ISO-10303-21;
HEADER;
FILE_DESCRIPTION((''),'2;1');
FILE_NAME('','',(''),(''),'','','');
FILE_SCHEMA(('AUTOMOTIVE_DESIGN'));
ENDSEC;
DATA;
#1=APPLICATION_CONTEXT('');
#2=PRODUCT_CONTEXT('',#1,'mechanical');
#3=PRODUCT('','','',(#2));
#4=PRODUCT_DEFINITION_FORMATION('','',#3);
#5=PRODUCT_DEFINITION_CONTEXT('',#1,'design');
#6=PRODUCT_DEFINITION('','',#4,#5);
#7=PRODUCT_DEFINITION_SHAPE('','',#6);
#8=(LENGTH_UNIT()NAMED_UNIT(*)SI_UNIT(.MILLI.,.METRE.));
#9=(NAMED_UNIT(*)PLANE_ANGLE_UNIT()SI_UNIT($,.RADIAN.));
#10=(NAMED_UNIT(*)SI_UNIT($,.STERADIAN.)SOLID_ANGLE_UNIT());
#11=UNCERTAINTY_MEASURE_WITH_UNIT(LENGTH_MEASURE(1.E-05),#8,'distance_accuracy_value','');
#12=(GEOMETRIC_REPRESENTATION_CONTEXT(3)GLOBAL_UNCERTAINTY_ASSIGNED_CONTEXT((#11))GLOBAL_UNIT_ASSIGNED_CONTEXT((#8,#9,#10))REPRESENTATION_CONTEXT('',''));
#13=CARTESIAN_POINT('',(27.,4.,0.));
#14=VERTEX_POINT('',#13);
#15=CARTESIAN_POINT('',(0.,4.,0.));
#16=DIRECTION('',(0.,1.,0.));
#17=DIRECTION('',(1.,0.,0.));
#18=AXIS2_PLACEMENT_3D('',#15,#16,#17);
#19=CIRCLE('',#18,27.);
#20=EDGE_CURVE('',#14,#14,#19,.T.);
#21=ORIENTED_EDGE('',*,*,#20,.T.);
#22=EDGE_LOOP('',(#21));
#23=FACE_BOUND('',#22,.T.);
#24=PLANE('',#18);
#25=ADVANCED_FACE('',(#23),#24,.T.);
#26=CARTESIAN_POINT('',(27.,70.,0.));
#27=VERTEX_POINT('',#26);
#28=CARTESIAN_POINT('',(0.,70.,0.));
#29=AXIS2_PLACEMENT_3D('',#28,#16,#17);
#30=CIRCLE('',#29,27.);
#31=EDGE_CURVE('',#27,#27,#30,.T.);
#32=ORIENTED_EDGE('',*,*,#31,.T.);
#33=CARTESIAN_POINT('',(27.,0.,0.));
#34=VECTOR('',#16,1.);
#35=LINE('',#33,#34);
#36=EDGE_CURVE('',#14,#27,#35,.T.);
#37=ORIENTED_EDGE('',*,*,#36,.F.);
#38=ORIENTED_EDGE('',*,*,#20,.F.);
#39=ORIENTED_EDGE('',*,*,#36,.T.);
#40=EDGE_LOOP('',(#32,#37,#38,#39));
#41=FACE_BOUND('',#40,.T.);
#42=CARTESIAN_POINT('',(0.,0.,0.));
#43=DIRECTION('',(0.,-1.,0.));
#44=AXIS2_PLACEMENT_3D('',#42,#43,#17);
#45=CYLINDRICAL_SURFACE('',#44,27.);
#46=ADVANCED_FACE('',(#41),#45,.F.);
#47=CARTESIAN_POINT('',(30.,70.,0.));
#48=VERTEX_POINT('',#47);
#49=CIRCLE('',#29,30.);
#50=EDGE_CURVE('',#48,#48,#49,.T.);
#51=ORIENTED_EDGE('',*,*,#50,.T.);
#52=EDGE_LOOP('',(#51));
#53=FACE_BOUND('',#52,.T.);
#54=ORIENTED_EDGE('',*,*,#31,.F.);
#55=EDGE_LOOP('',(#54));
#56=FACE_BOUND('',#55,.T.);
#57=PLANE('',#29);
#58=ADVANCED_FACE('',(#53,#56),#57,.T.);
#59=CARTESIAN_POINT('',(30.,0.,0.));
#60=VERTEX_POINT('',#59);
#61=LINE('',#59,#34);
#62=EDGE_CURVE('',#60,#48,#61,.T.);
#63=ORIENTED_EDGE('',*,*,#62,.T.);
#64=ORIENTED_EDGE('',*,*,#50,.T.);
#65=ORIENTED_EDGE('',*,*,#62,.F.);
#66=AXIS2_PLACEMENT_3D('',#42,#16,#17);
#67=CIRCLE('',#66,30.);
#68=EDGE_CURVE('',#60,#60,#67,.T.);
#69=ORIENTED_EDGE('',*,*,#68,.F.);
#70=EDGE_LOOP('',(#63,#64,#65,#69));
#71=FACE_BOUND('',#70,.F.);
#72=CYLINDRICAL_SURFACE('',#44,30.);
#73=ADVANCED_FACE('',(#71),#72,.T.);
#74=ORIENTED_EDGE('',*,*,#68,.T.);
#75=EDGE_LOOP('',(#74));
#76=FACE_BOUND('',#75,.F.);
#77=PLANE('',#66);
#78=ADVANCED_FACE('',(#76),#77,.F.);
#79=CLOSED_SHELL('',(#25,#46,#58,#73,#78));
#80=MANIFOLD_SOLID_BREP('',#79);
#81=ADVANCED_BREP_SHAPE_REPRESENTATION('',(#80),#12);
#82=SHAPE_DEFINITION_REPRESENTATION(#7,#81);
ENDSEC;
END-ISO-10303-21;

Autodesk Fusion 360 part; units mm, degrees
sketch "Sketch1" plane through (0, 0, 0) normal (0, 1, 0) x (1, 0, 0)
  circle A0 centre (0, 0) radius 30
  circle A1 centre (0, 0) radius 27
  dimension "d1" = 60
  dimension "d2" = 54
extrude "Extrude1" add sketch "Sketch1" along normal blind 70 makes body 1
extrude "Extrude2" add sketch "Sketch1" along normal blind 4 contours A1 bodies 1
copy_body "Body->Comp1" bodies 1 removing the originals makes body 2 in component "tubeToolHolder01"
component "tubeToolHolder01" placed x (1, 0, 0) y (0, 1, 0) z (0, 0, 1) at (0, 0, 0)
